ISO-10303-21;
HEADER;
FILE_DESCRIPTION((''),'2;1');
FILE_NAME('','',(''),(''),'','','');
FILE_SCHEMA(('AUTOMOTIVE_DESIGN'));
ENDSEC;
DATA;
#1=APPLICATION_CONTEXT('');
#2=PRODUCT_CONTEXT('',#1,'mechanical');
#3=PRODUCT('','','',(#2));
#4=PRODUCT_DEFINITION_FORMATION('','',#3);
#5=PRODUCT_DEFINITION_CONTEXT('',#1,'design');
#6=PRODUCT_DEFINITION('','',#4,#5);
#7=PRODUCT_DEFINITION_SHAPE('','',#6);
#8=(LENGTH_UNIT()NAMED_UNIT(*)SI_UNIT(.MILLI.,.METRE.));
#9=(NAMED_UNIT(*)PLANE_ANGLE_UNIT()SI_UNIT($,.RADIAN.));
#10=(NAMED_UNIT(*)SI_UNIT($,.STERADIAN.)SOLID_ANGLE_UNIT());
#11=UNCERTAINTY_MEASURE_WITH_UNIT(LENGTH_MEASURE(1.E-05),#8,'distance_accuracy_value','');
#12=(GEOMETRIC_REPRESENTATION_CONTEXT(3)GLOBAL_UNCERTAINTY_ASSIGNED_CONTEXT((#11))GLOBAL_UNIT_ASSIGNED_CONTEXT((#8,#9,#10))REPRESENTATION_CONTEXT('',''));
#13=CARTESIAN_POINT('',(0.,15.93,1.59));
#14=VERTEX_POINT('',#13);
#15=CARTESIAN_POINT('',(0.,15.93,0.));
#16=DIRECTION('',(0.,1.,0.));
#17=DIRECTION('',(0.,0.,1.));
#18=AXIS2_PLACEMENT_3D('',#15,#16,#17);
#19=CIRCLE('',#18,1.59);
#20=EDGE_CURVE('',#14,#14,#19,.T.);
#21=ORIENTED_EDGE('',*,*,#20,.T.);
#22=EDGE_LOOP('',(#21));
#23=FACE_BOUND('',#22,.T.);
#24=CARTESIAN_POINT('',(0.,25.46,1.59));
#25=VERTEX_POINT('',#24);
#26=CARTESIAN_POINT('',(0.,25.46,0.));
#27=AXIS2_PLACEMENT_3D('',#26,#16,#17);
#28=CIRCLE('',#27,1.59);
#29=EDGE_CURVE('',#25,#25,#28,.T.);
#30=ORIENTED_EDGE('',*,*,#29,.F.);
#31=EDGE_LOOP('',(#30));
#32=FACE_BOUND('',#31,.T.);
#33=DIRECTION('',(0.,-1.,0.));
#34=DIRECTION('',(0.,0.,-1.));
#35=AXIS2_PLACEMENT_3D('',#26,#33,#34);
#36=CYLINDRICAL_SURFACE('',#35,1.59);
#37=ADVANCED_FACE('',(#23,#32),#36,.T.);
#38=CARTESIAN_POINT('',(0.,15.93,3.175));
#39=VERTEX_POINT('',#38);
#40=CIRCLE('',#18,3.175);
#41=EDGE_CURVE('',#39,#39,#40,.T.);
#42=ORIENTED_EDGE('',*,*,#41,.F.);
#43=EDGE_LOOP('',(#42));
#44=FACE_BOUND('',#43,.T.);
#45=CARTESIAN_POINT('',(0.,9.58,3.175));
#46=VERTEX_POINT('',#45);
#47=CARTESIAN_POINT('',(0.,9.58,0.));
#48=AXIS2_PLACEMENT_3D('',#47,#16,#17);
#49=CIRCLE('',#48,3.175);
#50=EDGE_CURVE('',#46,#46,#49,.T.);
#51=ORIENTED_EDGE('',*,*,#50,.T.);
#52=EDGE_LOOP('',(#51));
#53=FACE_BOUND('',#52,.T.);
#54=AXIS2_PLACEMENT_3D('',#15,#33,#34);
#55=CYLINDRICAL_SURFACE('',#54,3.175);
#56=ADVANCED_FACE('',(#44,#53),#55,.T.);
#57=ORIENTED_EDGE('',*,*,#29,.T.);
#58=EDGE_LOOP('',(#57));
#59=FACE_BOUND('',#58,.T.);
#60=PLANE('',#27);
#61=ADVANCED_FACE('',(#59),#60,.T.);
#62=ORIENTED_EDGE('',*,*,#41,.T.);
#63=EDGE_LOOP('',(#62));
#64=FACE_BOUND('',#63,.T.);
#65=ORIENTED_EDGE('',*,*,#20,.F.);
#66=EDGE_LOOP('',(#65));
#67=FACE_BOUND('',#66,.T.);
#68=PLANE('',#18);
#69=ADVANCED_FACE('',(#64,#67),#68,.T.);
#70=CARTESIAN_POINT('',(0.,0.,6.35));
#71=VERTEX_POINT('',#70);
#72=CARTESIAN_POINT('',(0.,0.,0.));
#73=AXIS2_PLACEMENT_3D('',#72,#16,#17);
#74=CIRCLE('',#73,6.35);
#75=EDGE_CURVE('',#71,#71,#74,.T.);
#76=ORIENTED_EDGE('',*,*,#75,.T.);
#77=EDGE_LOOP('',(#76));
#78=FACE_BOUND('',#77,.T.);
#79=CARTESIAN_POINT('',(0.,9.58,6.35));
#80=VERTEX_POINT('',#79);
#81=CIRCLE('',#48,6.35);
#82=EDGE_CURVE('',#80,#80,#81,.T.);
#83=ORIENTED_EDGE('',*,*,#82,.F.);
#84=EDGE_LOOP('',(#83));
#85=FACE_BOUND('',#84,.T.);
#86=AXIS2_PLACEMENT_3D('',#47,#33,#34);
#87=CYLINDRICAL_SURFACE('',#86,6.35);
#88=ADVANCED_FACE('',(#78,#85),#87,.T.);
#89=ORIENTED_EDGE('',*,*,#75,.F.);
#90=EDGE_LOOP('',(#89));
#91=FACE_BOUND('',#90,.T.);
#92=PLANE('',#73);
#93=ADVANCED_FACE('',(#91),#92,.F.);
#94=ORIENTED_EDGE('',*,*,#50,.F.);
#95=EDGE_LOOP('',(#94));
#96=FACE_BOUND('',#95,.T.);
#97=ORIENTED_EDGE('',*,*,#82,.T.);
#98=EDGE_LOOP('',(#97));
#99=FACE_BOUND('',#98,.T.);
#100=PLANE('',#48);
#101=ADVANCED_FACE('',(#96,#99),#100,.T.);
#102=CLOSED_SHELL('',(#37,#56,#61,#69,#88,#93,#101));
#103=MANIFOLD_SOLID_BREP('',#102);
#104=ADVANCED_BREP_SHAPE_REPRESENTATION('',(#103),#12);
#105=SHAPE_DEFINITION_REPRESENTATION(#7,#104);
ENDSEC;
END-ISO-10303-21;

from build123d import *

# Parameters (mm, degrees)
SKETCH1_R           = 6.35
BOSS_EXTRUDE1_DEPTH = 9.58
SKETCH4_R           = 3.175
BOSS_EXTRUDE2_DEPTH = 6.35
SKETCH5_R           = 1.59
BOSS_EXTRUDE3_DEPTH = 9.53


with BuildPart() as part:
    # Sketch1 → Boss-Extrude1 (new body)
    with BuildSketch(Plane(origin=(0, 0, 0), x_dir=(1, 0, 0), z_dir=(0, 1, 0))):
        Circle(SKETCH1_R)
    extrude(amount=BOSS_EXTRUDE1_DEPTH)

    # Sketch4 → Boss-Extrude2 (add)
    with BuildSketch(Plane(origin=(0, 9.58, 0), x_dir=(1, 0, 0), z_dir=(0, 1, 0))):
        Circle(SKETCH4_R)
    extrude(amount=BOSS_EXTRUDE2_DEPTH)

    # Sketch5 → Boss-Extrude3 (add)
    with BuildSketch(Plane(origin=(0, 15.93, 0), x_dir=(1, 0, 0), z_dir=(0, 1, 0))):
        Circle(SKETCH5_R)
    extrude(amount=BOSS_EXTRUDE3_DEPTH)


solid = part.part
